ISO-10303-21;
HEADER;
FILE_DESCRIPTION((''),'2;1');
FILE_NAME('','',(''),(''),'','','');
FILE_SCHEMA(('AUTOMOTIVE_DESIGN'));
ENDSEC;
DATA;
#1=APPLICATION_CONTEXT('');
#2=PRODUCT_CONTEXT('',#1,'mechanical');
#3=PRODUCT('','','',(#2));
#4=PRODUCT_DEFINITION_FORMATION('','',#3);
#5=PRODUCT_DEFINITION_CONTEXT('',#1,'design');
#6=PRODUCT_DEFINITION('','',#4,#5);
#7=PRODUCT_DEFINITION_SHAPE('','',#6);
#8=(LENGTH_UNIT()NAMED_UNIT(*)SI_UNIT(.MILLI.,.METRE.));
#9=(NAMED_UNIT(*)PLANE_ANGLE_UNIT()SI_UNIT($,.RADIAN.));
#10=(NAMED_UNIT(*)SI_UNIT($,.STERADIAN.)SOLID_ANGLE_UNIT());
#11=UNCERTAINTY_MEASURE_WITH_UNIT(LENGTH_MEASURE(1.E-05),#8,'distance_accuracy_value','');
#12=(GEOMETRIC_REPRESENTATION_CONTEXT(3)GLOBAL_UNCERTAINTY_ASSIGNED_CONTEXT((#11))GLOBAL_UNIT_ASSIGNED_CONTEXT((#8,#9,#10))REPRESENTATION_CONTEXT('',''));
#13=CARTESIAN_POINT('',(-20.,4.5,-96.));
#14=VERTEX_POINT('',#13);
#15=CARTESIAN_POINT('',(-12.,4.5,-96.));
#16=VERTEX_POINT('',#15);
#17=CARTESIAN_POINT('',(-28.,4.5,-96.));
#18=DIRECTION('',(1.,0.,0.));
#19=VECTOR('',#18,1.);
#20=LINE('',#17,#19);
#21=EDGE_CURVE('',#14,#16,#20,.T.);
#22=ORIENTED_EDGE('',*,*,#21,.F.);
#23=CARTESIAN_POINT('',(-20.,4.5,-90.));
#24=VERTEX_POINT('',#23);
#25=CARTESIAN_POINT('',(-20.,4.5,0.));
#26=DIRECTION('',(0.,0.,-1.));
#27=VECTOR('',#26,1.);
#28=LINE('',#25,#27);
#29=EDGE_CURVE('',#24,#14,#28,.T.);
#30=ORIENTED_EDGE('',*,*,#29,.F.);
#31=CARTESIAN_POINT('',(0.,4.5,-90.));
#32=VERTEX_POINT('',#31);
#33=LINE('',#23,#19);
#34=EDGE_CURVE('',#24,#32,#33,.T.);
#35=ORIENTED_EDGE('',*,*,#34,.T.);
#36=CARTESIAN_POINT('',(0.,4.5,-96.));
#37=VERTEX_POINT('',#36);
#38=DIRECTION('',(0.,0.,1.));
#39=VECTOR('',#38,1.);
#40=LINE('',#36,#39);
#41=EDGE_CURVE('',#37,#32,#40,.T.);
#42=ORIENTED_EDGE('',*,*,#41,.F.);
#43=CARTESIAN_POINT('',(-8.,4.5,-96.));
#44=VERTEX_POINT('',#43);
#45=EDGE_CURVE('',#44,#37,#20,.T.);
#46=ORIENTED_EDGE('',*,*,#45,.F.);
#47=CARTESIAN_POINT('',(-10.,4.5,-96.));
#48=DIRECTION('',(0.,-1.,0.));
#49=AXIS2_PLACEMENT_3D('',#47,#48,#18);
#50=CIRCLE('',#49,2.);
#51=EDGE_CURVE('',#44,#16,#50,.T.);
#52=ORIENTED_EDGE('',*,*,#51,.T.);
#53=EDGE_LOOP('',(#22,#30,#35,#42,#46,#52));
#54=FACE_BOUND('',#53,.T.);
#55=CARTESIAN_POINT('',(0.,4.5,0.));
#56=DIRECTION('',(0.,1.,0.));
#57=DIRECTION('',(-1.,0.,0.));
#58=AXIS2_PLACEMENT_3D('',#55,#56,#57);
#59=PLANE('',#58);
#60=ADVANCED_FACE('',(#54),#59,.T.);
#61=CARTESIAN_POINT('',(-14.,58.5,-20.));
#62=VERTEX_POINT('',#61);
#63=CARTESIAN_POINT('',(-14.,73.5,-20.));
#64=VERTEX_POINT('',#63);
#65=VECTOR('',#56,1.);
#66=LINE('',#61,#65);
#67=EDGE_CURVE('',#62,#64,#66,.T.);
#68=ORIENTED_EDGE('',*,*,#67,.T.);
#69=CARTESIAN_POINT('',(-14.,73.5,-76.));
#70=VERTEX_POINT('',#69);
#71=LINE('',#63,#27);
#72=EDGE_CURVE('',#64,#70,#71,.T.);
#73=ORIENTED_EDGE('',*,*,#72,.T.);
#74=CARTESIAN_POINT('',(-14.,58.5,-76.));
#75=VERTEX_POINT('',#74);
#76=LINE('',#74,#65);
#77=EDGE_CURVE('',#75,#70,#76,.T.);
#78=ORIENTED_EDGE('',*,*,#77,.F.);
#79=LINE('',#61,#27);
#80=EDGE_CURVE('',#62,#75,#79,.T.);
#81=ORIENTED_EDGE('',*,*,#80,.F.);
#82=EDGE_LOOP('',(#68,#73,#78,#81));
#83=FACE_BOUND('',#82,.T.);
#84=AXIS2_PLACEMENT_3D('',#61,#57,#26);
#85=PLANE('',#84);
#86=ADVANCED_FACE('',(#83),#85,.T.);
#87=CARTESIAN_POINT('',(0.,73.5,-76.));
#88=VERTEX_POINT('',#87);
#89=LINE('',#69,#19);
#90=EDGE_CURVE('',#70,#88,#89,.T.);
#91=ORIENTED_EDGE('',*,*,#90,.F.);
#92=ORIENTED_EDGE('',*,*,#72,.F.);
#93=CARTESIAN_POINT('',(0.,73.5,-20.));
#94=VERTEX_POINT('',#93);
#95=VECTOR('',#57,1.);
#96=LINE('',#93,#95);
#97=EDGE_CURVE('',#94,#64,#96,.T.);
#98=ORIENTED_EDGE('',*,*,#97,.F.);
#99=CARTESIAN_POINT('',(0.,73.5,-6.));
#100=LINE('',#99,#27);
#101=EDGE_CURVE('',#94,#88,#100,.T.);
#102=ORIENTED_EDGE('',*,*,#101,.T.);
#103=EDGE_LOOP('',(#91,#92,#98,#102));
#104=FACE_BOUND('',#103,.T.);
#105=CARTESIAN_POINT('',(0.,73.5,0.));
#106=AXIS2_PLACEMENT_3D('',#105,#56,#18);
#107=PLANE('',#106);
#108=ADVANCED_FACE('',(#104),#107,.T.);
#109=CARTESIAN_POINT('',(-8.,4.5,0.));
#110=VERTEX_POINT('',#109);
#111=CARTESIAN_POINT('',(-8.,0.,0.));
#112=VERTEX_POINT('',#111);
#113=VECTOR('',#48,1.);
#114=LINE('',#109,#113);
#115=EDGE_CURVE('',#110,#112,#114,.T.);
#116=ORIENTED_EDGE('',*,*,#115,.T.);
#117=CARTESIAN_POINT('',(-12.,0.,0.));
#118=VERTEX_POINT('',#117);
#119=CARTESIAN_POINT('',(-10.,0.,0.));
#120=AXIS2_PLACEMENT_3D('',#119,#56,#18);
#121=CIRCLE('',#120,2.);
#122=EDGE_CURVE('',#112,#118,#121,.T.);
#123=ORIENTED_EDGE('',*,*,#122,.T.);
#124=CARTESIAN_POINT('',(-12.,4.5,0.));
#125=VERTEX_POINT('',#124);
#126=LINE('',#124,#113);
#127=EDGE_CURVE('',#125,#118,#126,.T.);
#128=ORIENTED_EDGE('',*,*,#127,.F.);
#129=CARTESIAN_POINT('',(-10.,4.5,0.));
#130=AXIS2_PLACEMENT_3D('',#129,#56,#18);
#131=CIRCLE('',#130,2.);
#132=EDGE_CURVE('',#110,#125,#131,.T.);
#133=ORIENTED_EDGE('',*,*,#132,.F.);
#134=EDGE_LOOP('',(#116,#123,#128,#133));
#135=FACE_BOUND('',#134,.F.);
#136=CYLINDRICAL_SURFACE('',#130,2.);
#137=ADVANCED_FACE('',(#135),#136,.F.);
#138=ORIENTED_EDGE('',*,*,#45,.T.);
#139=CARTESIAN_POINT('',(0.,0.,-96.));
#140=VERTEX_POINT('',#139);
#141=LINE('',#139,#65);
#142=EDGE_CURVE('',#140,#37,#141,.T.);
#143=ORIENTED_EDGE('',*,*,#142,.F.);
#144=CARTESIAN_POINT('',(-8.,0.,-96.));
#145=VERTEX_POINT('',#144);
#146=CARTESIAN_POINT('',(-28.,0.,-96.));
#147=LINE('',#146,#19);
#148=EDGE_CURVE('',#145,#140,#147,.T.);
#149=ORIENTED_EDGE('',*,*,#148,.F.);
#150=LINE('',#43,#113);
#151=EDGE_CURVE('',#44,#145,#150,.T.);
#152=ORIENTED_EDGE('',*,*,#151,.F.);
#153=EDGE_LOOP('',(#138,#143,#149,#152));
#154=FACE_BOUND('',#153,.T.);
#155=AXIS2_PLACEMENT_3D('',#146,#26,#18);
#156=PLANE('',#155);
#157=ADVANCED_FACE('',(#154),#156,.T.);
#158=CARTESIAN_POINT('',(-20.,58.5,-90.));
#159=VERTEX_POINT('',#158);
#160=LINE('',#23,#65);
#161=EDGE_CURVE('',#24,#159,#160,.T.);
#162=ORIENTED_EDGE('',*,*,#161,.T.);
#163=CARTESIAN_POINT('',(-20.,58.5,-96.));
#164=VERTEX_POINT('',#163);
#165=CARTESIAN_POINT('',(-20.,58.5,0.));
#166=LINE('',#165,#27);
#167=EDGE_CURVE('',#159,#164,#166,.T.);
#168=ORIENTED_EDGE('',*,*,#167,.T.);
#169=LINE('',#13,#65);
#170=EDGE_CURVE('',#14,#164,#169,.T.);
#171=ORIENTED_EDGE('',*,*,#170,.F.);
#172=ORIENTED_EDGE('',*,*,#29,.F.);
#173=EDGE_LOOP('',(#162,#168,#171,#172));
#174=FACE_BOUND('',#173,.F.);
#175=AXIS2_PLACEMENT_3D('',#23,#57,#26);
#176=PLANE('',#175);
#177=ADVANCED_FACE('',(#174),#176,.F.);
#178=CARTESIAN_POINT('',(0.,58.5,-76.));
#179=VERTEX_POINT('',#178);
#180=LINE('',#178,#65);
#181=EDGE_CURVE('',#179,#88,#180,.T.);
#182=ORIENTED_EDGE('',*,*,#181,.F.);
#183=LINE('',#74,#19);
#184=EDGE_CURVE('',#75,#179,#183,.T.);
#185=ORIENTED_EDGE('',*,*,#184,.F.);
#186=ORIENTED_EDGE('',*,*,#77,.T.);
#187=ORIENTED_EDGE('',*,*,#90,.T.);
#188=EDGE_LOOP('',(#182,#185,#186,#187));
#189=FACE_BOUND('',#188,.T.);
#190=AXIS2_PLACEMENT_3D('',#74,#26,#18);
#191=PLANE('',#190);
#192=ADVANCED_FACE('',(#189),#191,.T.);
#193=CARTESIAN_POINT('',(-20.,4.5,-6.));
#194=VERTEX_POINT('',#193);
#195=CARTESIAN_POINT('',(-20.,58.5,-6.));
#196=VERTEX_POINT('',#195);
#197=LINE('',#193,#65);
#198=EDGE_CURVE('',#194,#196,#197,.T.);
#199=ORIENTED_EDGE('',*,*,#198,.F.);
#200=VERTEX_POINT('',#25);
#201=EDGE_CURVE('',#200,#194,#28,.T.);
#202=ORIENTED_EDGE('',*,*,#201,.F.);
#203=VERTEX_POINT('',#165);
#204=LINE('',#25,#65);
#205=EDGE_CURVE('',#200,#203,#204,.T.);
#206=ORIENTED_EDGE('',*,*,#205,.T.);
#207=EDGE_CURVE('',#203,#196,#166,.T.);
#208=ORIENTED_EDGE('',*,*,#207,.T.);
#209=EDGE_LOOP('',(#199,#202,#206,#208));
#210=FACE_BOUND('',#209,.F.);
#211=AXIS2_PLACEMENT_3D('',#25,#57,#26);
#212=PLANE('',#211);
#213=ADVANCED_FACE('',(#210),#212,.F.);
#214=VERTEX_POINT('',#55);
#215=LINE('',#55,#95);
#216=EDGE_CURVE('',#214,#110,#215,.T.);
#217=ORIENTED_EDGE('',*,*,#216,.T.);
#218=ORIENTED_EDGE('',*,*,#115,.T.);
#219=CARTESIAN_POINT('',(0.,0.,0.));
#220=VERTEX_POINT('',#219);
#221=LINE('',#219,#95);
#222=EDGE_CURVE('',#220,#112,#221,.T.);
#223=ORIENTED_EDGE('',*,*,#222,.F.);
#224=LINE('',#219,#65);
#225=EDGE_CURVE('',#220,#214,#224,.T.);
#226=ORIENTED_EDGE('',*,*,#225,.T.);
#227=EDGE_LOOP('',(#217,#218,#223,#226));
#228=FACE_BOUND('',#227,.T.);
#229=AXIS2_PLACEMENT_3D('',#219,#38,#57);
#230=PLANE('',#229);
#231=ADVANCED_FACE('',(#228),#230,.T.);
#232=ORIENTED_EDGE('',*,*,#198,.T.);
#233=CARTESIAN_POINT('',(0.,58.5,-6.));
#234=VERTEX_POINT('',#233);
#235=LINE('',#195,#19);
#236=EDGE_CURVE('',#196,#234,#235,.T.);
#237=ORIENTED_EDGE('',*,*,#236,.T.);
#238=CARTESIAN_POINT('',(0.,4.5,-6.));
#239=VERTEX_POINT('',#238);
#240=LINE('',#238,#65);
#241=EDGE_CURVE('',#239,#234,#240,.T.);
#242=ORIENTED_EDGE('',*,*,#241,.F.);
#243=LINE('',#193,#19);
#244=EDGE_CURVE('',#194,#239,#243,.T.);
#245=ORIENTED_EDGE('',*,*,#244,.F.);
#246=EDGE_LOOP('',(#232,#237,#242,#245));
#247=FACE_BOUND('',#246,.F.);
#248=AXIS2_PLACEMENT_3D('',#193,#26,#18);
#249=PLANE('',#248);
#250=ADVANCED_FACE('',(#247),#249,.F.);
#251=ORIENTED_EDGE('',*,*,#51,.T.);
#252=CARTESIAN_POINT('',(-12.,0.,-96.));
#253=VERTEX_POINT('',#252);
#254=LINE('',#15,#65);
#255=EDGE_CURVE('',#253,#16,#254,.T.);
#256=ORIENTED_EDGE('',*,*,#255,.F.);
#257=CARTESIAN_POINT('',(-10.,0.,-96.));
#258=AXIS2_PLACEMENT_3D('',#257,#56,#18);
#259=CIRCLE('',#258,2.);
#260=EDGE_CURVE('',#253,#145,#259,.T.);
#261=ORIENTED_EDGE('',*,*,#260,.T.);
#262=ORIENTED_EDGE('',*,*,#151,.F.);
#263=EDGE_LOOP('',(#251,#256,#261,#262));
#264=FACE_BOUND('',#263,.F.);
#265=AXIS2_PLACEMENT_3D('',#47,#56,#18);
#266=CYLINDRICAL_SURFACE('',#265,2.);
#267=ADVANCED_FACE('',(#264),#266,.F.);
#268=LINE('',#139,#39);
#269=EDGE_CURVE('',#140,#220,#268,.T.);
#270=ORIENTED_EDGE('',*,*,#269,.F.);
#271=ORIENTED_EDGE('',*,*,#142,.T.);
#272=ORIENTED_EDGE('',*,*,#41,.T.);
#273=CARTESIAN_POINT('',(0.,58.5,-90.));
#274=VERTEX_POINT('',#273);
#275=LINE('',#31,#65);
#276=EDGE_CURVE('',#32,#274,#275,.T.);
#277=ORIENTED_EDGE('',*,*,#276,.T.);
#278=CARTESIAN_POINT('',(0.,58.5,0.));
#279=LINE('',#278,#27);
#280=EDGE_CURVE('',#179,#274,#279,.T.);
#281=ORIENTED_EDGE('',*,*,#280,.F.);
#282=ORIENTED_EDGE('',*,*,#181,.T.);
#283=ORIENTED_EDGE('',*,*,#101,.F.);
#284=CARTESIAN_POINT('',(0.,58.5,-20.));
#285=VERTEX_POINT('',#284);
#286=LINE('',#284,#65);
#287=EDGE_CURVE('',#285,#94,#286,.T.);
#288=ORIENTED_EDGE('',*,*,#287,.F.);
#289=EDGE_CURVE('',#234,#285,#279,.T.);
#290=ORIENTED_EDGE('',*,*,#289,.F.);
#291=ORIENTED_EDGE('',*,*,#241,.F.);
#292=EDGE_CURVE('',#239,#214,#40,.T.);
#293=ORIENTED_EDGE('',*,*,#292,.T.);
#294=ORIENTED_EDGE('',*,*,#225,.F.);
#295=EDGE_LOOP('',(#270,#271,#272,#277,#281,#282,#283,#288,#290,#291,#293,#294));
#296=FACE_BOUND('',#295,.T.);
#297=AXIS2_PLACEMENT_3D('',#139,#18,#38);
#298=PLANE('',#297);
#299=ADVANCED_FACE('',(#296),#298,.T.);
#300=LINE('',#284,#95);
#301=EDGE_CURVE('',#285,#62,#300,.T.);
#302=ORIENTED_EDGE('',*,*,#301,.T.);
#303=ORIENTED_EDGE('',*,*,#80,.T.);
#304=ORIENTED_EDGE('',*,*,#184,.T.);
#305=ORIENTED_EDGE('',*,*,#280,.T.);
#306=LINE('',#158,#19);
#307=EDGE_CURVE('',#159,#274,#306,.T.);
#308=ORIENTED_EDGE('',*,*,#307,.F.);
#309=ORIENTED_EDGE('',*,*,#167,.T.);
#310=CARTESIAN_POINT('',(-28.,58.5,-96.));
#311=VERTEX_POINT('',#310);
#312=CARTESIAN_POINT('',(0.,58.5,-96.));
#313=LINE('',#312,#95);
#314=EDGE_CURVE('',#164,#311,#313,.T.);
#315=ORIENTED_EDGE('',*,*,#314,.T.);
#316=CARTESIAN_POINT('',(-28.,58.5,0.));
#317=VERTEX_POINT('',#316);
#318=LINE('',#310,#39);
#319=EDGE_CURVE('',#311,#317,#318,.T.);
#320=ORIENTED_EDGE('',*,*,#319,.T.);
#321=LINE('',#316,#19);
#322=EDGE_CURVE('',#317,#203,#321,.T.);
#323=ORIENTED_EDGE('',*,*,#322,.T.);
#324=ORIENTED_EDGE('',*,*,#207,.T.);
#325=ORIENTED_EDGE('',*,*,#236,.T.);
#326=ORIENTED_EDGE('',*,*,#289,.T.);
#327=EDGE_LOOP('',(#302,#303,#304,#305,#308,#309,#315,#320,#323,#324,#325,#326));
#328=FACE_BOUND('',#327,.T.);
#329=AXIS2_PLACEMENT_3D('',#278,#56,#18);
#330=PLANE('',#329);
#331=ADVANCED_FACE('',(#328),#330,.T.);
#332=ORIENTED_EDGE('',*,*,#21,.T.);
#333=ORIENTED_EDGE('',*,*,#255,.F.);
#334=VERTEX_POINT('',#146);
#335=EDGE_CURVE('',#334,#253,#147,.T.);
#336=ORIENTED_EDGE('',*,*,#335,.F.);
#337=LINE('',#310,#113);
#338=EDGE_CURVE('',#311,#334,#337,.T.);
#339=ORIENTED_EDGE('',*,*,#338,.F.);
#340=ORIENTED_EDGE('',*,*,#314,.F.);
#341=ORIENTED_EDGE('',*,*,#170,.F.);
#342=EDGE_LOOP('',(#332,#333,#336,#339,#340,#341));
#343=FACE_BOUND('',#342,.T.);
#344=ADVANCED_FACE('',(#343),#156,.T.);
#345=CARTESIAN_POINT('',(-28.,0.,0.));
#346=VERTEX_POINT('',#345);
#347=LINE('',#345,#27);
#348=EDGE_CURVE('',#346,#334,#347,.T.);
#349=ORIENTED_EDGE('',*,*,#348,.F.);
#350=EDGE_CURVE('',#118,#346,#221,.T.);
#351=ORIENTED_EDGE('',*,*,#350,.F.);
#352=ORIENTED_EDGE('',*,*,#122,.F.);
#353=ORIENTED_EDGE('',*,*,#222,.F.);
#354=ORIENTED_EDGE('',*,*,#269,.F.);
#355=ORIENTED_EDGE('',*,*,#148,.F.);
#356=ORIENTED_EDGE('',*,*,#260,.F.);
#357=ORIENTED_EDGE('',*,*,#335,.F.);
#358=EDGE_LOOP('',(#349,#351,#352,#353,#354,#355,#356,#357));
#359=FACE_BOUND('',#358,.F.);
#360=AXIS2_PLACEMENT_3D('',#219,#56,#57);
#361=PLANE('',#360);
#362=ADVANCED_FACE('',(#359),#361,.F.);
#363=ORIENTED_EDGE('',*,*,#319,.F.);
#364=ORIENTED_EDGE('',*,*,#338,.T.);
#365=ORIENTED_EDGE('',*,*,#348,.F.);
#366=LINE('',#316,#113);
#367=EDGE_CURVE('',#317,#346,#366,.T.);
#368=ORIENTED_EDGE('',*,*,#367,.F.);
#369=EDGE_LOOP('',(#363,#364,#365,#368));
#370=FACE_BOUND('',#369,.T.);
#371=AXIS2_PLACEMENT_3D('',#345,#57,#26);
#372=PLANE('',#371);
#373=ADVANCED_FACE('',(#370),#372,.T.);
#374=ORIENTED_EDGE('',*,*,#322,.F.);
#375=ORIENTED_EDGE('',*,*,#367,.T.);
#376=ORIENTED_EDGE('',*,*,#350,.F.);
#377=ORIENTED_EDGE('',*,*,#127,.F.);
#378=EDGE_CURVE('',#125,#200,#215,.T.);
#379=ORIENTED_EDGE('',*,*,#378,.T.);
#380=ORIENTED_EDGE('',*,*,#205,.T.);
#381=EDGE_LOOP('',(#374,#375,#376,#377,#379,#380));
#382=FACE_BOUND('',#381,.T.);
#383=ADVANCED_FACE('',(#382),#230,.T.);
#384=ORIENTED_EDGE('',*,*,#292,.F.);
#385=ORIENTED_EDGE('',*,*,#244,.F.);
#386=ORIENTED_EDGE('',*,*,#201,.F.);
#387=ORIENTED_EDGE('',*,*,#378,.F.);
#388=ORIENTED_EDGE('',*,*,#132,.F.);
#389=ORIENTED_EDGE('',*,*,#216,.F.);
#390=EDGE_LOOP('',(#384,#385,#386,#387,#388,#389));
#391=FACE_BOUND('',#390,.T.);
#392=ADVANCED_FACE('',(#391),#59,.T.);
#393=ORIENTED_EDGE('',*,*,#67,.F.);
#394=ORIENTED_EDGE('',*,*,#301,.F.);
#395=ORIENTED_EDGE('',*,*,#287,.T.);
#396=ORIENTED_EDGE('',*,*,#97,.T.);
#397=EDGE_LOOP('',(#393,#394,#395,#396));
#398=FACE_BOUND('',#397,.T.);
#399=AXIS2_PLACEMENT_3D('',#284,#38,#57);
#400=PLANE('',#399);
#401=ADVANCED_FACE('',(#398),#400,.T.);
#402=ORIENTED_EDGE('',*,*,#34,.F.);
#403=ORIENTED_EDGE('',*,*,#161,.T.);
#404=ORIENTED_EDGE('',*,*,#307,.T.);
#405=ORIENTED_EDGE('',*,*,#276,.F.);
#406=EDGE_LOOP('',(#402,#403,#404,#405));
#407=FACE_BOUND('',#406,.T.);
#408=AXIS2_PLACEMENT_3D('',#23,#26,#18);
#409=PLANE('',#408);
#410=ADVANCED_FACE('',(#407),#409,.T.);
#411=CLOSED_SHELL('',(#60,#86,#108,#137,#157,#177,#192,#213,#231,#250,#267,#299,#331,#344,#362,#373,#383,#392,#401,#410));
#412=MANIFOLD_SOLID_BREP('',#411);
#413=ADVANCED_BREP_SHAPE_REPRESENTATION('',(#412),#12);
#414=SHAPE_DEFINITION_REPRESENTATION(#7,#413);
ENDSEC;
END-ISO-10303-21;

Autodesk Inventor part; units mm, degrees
ref_plane "YZ Plane" through (0, 0, 0) normal (1, 0, 0) x (0, 1, 0)
ref_plane "XZ Plane" through (0, 0, 0) normal (0, 1, 0) x (-1, 0, 0)
ref_plane "XY Plane" through (0, 0, 0) normal (0, 0, 1) x (1, 0, 0)
sketch "Sketch3" plane through (0, 0, 0) normal (0, 1, 0) x (-1, 0, 0)
  line L0 (0, 0) -> (28, 0)
  line L1 (28, 0) -> (28, -96)
  line L2 (28, -96) -> (0, -96)
  line L3 (0, -96) -> (0, 0)
  dimension "d6" = 28
  dimension "d7" = 96
extrude "Extrusion3" add sketch "Sketch3" along normal blind 4.5
sketch "Sketch4" plane through (0, 4.5, 0) normal (0, 1, 0) x (1, 0, 0)
  line L0 (0, 96) -> (-28, 96) projected
  line L1 (-28, 96) -> (-28, 0) projected
  line L2 (-28, 0) -> (0, 0) projected
  line L3 (0, 0) -> (0, 96) projected
  line L4 (-28, 0) -> (-20, 0)
  line L5 (-20, 0) -> (-20, 96)
  line L6 (-20, 96) -> (-28, 96)
  line L7 (-28, 96) -> (-28, 0)
  line L8 (0, 0) -> (-20, 0)
  line L9 (-20, 0) -> (-20, 6)
  line L10 (-20, 6) -> (0, 6)
  line L11 (0, 6) -> (0, 0)
  line L12 (0, 96) -> (-20, 96)
  line L13 (-20, 96) -> (-20, 90)
  line L14 (-20, 90) -> (0, 90)
  line L15 (0, 90) -> (0, 96)
  dimension "d10" = 8
  dimension "d11" = 6
  dimension "d12" = 6
extrude "Extrusion4" add sketch "Sketch4" along normal blind 54 contours L5 L2 L1 L0 | L3 L10 L5 L14
sketch "Sketch5" plane through (0, 4.5, 0) normal (0, 1, 0) x (1, 0, 0)
  line L0 (0, 6) -> (-20, 6) projected
  line L1 (-20, 6) -> (-20, 0) projected
  line L2 (-20, 0) -> (0, 0) projected
  line L3 (0, 0) -> (0, 6) projected
  circle A0 centre (-10, 0) radius 2
  line L4 (-20, 96) -> (-20, 90) projected
  line L5 (-20, 90) -> (0, 90) projected
  line L6 (0, 90) -> (0, 96) projected
  line L7 (0, 96) -> (-20, 96) projected
  circle A1 centre (-10, 96) radius 2
  point P0 (-8, 0)
  point P1 (-12, 0)
  dimension "d15" = 4
  dimension "d16" = 4
extrude "Extrusion5" cut sketch "Sketch5" against normal through all contours L2 A0 | A1 L7 | L7 A1 picked at (-9.3527, 0.1595)
sketch "Sketch6" plane through (0, 58.5, 0) normal (0, 1, 0) x (1, 0, 0)
  line L0 (-20, 6) -> (0, 6) projected
  line L1 (0, 6) -> (0, 90) projected
  line L2 (0, 90) -> (-20, 90) projected
  line L3 (-20, 90) -> (-20, 96) projected
  line L4 (-20, 96) -> (-28, 96) projected
  line L5 (-28, 96) -> (-28, 0) projected
  line L6 (-28, 0) -> (-20, 0) projected
  line L7 (-20, 0) -> (-20, 6) projected
  line L8 (0, 20) -> (-14, 20)
  line L9 (-14, 20) -> (-14, 76)
  line L10 (-14, 76) -> (0, 76)
  line L11 (0, 76) -> (0, 20)
  point P0 (0, 0)
  point P1 (0, 76)
  dimension "d19" = 14
  dimension "d21" = 14
  dimension "d22" = 14
extrude "Extrusion6" add sketch "Sketch6" along normal blind 15 contours L8 L9 L10 L1
properties part number "driver"
